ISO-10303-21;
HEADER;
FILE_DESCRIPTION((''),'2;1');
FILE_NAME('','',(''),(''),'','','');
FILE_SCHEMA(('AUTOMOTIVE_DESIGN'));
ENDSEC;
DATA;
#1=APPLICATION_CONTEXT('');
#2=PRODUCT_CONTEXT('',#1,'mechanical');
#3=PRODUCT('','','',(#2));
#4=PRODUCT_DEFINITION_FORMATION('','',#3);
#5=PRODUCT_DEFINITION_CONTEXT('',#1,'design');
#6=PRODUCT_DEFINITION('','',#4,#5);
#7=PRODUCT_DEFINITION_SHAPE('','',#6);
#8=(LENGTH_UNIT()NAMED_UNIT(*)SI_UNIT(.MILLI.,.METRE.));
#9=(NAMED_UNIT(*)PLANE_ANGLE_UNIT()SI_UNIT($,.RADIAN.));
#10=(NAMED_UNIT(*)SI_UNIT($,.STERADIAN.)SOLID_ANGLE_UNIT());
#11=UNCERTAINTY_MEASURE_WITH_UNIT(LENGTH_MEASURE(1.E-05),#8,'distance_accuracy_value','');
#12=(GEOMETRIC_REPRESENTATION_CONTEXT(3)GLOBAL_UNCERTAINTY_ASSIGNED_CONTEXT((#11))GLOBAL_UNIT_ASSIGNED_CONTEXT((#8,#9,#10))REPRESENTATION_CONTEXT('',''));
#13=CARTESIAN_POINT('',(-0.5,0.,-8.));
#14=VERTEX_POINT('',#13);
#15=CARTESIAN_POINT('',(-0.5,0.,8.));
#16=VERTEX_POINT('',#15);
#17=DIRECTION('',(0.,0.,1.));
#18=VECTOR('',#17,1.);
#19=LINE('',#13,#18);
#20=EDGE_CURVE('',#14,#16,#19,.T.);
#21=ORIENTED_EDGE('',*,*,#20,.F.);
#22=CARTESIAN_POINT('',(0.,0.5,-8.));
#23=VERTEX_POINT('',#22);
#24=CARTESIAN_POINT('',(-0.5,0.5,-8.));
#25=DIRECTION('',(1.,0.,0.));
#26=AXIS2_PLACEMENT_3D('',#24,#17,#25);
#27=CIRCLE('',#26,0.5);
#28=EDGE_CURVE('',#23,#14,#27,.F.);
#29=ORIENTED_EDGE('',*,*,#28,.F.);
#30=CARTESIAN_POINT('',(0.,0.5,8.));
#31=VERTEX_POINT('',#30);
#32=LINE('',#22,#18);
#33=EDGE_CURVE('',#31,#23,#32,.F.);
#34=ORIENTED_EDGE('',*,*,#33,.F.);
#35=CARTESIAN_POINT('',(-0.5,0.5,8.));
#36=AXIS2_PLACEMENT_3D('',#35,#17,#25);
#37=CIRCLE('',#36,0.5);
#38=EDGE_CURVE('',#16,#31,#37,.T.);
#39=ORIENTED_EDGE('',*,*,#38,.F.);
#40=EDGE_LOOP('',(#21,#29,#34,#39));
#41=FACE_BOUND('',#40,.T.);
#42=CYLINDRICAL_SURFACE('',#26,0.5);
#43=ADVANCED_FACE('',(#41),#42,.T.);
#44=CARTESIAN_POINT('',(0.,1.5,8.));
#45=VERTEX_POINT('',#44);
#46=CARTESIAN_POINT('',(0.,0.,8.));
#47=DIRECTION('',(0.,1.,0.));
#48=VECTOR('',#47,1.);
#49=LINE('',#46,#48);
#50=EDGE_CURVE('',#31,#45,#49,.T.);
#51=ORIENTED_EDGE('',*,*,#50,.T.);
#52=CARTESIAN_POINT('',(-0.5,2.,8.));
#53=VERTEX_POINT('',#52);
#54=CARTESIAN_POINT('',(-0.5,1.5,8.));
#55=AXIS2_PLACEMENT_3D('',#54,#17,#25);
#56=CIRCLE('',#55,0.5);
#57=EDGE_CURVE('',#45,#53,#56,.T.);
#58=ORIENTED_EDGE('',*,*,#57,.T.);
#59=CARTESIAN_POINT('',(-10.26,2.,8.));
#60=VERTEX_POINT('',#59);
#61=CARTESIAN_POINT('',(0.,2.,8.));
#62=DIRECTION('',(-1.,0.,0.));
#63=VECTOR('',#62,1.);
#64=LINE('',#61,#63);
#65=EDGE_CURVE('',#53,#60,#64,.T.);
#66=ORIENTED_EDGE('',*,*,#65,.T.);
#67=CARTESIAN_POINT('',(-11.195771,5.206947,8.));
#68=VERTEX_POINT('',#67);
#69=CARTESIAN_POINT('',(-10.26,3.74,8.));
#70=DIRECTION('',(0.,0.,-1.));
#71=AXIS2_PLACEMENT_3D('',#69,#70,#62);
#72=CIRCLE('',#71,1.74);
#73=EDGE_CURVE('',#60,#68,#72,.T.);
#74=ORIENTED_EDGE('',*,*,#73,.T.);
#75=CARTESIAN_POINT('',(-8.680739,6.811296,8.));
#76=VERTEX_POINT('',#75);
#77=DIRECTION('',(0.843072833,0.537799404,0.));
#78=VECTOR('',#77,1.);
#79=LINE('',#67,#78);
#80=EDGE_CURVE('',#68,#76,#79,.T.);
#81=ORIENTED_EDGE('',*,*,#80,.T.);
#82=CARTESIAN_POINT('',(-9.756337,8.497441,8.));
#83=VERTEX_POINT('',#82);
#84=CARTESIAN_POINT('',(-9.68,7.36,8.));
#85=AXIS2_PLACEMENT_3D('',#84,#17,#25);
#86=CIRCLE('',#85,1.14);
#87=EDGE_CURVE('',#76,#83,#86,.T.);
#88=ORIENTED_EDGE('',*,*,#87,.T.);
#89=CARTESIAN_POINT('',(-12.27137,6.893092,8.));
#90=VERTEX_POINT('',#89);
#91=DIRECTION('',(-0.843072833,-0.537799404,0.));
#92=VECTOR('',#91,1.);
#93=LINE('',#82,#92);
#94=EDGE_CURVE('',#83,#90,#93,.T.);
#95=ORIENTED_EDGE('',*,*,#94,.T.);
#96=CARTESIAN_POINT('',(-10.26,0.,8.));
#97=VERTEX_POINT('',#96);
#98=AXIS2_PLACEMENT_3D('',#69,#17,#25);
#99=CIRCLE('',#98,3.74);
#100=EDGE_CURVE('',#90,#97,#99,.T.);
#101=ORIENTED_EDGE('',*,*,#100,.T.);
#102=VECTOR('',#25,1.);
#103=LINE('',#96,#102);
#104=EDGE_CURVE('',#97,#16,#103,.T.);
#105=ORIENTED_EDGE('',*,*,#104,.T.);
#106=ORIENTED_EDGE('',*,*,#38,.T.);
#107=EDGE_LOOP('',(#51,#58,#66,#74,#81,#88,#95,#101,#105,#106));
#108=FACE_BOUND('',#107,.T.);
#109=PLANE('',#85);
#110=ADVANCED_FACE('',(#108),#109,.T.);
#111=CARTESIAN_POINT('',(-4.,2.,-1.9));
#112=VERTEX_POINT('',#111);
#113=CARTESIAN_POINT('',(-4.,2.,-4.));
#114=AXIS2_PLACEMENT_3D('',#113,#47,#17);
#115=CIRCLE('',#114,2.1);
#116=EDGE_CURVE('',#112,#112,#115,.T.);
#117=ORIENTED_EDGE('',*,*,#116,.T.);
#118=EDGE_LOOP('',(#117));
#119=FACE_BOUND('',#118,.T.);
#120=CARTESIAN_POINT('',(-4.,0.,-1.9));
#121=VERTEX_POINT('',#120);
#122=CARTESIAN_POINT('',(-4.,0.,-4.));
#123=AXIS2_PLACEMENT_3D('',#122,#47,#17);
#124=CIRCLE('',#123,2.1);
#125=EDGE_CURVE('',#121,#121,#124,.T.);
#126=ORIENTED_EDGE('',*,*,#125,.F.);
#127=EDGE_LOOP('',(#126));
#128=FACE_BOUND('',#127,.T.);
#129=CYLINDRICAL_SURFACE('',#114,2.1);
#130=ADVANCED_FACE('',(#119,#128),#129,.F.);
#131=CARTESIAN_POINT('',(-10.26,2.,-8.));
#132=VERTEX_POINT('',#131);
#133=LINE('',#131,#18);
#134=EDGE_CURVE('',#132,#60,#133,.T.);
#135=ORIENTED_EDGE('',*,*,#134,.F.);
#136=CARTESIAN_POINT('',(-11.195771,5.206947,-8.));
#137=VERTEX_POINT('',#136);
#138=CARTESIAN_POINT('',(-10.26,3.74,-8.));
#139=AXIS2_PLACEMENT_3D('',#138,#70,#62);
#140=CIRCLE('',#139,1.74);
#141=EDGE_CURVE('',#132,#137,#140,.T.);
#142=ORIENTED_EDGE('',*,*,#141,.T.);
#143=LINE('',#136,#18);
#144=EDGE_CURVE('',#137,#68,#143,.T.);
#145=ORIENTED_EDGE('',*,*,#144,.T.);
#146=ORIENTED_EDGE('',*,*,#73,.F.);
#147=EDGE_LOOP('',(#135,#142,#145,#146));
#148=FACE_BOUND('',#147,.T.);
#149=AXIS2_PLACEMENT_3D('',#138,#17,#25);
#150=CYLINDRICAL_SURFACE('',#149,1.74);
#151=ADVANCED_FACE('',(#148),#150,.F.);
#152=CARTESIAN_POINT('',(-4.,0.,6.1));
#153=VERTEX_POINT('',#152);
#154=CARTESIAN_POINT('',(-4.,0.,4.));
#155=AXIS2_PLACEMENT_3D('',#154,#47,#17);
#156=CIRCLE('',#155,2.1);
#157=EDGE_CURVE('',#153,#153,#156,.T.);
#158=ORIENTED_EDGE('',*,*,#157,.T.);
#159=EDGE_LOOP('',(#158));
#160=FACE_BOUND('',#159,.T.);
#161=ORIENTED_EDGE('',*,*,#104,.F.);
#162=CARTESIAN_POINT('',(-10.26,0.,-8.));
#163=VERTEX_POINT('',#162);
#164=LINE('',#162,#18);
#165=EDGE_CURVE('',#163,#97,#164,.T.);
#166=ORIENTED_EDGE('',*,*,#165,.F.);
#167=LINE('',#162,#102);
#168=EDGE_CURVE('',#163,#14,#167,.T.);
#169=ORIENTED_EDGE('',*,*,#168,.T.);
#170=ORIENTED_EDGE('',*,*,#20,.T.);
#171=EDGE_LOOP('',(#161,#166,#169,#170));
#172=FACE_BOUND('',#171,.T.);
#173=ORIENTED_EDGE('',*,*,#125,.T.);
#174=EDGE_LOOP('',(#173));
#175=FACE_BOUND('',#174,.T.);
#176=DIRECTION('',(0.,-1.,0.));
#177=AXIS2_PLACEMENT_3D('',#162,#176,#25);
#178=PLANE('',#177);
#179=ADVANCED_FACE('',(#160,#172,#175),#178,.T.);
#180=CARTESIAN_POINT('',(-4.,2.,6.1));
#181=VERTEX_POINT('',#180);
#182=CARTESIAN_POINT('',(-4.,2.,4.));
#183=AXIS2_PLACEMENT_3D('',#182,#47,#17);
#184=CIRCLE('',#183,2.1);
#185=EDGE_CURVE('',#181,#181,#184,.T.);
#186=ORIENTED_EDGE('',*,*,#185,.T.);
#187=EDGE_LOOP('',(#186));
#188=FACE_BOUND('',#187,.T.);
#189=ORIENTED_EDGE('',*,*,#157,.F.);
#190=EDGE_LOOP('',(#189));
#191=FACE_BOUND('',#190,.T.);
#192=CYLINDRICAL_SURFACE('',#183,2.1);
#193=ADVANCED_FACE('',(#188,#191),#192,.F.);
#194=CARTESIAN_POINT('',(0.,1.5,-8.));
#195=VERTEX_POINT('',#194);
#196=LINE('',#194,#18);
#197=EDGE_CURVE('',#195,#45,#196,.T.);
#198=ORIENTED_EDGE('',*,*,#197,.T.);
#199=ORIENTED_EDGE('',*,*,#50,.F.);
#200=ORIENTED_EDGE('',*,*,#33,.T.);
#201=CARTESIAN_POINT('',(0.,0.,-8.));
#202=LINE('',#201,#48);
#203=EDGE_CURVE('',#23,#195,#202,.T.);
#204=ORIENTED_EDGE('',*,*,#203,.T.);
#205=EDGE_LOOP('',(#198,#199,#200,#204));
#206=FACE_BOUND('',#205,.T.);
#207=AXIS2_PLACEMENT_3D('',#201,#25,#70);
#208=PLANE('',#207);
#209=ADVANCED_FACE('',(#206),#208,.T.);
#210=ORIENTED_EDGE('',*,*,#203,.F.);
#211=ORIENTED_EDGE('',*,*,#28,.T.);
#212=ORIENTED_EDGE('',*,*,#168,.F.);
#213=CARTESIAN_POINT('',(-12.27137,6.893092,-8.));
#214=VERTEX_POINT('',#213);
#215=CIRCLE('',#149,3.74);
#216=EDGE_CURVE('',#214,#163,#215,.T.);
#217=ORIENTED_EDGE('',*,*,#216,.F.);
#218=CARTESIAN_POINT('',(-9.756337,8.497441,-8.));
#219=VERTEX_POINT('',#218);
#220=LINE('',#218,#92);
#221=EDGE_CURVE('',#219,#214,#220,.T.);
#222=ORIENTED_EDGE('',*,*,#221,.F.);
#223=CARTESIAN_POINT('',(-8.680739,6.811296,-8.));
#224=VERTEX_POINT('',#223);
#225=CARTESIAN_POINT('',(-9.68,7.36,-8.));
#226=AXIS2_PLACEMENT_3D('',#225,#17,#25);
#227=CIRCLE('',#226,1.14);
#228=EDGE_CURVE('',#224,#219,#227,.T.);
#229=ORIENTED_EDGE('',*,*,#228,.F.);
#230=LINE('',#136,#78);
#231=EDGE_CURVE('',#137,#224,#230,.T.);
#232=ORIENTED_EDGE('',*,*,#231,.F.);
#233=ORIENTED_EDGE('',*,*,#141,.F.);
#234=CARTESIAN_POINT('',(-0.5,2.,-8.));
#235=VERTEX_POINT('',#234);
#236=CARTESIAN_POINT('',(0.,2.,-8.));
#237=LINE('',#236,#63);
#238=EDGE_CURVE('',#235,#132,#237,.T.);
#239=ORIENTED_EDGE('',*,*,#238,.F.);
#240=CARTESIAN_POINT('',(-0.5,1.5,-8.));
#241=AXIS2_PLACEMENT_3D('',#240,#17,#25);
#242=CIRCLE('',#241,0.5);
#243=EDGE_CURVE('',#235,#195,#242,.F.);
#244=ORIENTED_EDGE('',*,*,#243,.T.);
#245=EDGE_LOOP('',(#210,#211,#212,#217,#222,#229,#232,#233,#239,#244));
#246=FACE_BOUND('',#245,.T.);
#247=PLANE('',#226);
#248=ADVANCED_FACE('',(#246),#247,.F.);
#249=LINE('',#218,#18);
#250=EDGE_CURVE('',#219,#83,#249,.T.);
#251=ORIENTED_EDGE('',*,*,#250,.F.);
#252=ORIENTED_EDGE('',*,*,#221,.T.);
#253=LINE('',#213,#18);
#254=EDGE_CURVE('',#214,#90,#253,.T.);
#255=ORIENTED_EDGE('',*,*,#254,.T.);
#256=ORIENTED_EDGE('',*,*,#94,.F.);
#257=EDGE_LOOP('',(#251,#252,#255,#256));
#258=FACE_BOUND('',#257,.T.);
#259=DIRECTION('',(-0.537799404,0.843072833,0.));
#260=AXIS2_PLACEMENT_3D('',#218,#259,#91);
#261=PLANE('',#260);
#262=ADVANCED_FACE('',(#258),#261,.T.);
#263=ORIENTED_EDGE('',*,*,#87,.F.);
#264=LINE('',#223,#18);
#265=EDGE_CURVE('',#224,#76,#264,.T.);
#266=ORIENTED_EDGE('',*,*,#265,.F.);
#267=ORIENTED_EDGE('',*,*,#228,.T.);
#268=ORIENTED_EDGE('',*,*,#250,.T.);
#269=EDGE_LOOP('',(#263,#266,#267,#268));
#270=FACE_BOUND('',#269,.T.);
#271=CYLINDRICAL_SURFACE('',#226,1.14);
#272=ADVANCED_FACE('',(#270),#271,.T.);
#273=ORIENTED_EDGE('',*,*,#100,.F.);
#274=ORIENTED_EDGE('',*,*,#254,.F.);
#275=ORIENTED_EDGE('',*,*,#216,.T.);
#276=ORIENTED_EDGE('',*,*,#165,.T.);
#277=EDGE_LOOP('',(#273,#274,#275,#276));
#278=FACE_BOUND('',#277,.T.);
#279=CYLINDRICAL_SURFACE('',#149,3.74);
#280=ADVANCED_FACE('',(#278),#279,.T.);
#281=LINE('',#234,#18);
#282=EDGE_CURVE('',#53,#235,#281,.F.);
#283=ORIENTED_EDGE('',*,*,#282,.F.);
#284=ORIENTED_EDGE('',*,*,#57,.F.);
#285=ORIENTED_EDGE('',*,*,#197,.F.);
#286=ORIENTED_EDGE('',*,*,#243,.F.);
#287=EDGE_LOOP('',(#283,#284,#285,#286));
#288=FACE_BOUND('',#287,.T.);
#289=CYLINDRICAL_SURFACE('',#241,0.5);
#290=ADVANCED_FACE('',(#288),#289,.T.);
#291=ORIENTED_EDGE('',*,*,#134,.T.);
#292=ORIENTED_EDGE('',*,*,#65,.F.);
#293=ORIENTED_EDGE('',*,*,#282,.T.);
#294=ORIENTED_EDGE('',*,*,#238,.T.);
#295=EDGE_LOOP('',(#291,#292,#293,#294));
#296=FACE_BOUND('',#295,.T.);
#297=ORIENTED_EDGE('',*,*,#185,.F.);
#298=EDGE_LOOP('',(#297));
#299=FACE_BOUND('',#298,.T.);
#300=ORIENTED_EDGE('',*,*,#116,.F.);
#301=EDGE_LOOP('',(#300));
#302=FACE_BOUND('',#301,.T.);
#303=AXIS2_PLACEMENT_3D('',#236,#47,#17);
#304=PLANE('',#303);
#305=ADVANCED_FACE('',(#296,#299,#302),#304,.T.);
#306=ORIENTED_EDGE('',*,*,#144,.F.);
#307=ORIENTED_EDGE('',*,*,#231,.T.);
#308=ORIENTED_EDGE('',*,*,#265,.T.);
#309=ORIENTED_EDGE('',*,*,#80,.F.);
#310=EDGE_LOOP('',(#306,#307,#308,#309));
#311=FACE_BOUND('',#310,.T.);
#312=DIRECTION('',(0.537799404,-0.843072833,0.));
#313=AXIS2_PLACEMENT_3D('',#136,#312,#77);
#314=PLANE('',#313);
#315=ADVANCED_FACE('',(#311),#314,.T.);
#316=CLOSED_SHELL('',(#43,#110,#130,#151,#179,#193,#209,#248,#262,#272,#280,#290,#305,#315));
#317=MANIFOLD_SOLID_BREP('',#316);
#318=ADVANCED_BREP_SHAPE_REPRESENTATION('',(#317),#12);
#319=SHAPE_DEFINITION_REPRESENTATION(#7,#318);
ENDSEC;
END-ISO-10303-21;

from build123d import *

# Parameters (mm, degrees)
EXTRUDE_1_DEPTH         = 16
HOLE_WIZARD_4_2_4_2_1_D = 4.2
FILLET_1_R              = 0.5


with BuildPart() as part:
    # Эскиз1 → Бобышка-Вытянуть1 (new body)
    with BuildSketch(Plane.XY.offset(8)):
        with BuildLine():
            Line((-9.756337345, 8.497441256), (-12.271369771, 6.893092394))
            ThreePointArc((-12.271369771, 6.893092394), (-13.850276142, 2.692375438), (-10.26, 0))
            Line((-10.26, 0), (0, 0))
            Line((0, 0), (0, 2))
            Line((0, 2), (-10.26, 2))
            ThreePointArc((-10.26, 2), (-11.930342376, 3.252602477), (-11.195770963, 5.206946729))
            Line((-11.195770963, 5.206946729), (-8.680738537, 6.81129559))
            ThreePointArc((-8.680738537, 6.81129559), (-8.718896971, 7.97309132), (-9.756337345, 8.497441256))
        make_face()
    extrude(amount=-EXTRUDE_1_DEPTH)

    # Диаметр отверстия Ø4.2 (4.2)1 (through all)
    with Locations(Plane(origin=(0, 2, 0), x_dir=(1, 0, 0), z_dir=(0, 1, 0))):
        with Locations((-4, 4), (-4, -4)):
            Hole(HOLE_WIZARD_4_2_4_2_1_D / 2)

    # Скругление1
    fillet_1_edges = [part.edges().sort_by_distance(p)[0] for p in [
        (0, 2, 0),
        (0, 0, 0),
    ]]
    fillet(fillet_1_edges, radius=FILLET_1_R)


solid = part.part
